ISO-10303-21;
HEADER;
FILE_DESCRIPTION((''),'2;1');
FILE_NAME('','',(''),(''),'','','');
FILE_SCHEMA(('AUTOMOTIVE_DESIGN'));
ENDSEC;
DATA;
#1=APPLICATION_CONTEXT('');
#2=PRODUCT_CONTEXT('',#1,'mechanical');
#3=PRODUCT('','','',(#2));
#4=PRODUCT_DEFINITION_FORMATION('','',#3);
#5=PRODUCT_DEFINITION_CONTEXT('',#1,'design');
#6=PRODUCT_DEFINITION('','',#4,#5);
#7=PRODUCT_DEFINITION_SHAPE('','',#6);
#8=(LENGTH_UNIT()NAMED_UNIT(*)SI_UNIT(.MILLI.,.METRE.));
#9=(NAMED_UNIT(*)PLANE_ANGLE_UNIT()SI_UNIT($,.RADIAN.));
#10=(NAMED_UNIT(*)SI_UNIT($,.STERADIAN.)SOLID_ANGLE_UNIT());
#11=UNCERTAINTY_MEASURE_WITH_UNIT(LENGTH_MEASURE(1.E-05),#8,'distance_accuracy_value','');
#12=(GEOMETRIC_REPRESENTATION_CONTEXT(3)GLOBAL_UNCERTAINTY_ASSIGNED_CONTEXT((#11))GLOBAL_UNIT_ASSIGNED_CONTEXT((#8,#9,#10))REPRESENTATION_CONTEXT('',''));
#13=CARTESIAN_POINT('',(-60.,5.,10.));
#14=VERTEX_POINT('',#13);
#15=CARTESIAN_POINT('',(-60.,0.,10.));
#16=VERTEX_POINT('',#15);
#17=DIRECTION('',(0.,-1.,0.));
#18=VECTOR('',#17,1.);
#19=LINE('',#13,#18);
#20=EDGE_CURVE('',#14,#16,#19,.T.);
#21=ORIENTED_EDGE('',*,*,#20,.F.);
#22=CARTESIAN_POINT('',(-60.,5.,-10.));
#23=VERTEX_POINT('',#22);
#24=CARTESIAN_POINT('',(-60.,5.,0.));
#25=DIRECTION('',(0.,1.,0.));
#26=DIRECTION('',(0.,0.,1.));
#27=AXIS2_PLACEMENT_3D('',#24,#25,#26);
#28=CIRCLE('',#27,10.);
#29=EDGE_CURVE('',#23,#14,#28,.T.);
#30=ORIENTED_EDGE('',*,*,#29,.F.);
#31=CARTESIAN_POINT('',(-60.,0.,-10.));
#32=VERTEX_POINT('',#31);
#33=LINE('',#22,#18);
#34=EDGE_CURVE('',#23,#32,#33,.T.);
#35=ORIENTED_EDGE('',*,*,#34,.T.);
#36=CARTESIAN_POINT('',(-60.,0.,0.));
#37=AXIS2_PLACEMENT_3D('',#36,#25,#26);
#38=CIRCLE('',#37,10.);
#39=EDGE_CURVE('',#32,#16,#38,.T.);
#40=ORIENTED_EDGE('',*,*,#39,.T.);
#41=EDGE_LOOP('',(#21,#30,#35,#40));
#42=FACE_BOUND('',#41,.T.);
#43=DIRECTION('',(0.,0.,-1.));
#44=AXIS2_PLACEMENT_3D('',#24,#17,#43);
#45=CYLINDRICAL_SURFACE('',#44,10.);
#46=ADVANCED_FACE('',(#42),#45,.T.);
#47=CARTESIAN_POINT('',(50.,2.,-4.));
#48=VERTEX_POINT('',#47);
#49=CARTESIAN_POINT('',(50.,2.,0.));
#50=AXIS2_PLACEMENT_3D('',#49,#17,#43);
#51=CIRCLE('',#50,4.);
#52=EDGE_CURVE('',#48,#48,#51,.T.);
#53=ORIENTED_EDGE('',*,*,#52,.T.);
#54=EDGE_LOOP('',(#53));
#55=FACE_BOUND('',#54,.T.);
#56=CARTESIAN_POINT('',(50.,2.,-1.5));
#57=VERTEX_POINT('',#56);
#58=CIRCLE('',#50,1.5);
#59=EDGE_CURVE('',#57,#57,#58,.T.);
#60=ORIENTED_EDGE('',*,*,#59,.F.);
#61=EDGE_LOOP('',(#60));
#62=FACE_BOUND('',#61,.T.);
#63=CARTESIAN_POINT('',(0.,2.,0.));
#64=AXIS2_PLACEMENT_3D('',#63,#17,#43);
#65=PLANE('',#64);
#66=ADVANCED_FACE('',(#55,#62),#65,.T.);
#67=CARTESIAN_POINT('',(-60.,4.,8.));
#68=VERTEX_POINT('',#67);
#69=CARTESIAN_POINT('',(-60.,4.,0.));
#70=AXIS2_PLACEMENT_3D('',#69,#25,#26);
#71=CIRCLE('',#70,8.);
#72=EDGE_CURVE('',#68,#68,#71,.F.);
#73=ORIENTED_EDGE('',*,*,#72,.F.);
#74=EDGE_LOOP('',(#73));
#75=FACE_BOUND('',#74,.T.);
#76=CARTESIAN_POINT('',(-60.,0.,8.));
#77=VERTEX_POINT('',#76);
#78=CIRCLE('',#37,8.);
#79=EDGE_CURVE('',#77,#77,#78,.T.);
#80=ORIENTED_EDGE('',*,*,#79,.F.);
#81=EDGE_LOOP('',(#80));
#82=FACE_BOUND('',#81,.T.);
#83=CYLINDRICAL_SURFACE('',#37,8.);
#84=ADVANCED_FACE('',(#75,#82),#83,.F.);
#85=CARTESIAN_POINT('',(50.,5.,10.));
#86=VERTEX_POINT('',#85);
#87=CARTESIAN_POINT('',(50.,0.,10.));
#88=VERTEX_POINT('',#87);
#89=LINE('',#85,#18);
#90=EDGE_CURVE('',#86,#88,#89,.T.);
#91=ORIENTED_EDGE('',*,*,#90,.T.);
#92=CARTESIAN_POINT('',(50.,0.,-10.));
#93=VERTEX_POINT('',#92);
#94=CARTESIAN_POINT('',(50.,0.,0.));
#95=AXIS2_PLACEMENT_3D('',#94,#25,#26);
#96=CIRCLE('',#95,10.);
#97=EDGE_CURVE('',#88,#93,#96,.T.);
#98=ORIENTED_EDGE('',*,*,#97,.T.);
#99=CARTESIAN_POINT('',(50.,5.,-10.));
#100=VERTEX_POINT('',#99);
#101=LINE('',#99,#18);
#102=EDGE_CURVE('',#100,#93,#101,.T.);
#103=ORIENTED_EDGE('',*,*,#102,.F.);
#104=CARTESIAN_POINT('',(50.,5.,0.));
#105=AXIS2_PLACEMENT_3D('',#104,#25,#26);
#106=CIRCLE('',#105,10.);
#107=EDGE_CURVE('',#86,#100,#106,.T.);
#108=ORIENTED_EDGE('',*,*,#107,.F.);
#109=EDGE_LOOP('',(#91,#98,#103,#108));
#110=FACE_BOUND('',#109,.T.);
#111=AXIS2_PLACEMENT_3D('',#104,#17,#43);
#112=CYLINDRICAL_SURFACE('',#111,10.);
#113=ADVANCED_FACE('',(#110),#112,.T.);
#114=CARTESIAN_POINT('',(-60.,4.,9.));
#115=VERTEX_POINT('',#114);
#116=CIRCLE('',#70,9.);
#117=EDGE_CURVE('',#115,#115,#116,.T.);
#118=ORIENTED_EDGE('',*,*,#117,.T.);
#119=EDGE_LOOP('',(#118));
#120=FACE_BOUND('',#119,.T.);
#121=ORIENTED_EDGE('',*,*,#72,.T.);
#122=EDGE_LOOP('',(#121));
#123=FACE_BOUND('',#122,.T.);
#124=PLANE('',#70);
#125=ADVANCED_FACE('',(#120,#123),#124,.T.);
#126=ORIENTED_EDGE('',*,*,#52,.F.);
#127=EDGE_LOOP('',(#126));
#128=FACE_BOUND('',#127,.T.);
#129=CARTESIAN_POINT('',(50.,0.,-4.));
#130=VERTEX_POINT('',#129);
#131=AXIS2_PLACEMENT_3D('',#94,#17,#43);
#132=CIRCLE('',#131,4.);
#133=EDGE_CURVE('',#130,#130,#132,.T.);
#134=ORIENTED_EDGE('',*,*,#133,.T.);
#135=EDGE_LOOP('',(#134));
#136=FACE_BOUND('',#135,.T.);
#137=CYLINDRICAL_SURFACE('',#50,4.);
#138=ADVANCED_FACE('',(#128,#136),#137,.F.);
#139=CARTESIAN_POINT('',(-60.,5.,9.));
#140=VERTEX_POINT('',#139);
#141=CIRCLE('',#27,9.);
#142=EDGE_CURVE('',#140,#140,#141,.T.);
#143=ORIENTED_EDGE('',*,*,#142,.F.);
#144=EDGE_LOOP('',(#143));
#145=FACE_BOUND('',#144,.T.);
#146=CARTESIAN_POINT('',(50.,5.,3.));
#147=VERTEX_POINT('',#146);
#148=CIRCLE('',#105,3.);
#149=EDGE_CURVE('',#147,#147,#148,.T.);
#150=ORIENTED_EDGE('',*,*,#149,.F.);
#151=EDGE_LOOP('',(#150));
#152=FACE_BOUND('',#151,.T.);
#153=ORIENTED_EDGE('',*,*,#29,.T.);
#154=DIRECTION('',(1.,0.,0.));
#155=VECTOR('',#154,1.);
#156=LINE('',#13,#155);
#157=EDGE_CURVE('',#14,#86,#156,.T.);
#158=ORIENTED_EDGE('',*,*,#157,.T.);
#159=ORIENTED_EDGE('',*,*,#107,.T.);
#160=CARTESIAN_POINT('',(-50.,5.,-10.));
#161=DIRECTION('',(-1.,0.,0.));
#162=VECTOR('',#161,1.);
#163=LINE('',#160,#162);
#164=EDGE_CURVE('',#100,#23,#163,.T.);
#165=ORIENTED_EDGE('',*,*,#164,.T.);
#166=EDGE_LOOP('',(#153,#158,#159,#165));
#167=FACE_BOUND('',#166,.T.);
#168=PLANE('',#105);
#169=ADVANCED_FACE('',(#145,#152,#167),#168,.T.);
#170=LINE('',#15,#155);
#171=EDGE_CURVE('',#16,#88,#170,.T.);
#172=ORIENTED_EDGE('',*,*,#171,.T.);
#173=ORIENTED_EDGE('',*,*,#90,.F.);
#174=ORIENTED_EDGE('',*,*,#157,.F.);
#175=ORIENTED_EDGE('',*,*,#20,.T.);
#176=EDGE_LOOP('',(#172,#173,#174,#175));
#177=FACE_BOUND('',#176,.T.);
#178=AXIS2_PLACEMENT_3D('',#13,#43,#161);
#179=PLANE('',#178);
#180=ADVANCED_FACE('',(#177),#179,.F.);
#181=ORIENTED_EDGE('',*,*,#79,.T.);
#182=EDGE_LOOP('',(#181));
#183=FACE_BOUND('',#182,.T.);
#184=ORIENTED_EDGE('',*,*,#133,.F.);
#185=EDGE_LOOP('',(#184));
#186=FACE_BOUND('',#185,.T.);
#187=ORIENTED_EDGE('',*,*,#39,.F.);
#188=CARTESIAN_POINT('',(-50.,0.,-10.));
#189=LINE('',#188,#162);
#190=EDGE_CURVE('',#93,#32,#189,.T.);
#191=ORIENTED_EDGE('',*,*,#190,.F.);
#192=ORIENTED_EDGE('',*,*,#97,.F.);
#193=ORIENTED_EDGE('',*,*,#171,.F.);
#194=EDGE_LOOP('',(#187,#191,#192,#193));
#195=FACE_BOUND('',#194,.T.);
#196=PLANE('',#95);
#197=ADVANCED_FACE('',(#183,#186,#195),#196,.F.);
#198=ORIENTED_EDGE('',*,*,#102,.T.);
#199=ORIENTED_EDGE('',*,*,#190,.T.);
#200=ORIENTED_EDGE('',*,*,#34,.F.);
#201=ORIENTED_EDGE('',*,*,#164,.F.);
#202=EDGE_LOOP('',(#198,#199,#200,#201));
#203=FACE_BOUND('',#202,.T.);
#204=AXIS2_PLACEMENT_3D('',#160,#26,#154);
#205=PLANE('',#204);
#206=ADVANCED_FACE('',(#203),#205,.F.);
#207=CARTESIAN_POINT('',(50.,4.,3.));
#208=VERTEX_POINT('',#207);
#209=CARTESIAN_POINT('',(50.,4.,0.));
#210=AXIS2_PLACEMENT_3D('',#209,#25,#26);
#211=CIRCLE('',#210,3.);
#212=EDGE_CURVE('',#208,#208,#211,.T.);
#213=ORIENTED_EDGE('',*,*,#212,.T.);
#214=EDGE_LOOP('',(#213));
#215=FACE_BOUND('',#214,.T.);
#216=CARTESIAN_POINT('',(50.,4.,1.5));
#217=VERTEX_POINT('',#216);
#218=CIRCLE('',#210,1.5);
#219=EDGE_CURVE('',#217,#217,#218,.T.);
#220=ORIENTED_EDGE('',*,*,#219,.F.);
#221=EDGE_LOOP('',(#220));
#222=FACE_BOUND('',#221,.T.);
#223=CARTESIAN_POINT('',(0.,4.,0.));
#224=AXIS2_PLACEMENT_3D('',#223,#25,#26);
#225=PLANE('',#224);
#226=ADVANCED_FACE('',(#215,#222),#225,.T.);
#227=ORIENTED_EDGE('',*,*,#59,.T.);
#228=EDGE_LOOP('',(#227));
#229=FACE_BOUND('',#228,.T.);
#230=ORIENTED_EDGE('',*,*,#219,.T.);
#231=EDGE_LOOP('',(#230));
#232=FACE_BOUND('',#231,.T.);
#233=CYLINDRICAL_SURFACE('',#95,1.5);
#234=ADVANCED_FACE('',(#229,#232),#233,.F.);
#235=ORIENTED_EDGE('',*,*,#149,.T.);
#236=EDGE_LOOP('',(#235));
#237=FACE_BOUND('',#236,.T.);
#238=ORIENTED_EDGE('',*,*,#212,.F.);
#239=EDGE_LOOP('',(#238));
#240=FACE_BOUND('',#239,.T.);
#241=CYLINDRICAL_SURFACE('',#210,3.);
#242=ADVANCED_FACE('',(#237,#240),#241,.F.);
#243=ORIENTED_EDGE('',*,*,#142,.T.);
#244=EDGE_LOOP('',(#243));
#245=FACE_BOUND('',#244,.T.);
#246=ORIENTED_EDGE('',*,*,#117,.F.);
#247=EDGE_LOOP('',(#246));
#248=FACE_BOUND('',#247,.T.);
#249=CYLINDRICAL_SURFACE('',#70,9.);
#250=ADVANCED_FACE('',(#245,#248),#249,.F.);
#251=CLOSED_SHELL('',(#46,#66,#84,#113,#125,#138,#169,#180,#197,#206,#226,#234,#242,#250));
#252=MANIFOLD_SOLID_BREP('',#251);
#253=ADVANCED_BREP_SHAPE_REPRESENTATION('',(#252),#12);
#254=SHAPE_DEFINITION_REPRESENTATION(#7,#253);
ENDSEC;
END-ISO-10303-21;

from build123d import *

# Parameters (mm, degrees)
BOSS_EXTRUDE1_DEPTH = 5
CUT_EXTRUDE1_DEPTH  = 2
CUT_EXTRUDE2_DEPTH  = 1
CUT_EXTRUDE3_DEPTH  = 71.887234394
SKETCH5_R           = 9
CUT_EXTRUDE4_DEPTH  = 1
SKETCH6_R           = 1.5
CUT_EXTRUDE5_DEPTH  = 71.823724839


with BuildPart() as part:
    # Sketch1 → Boss-Extrude1 (new body)
    with BuildSketch(Plane(origin=(0, 0, 0), x_dir=(1, 0, 0), z_dir=(0, 1, 0))):
        with BuildLine():
            Line((-50, 10), (-60, 10))
            ThreePointArc((-60, 10), (-70, 0), (-60, -10))
            Line((-60, -10), (50, -10))
            ThreePointArc((50, -10), (60, 0), (50, 10))
            Line((50, 10), (-50, 10))
        make_face()
    extrude(amount=BOSS_EXTRUDE1_DEPTH)

    # Sketch2 → Cut-Extrude1 (cut)
    with BuildSketch(Plane.XZ):
        with BuildLine():
            ThreePointArc((50, 4), (46, 0), (50, -4))
            Line((50, -4), (50, 4))
        make_face()
        with BuildLine():
            Line((50, 4), (50, -4))
            ThreePointArc((50, -4), (52.828427125, -2.828427125), (54, 0))
            ThreePointArc((54, 0), (52.828427125, 2.828427125), (50, 4))
        make_face()
    extrude(amount=-CUT_EXTRUDE1_DEPTH, mode=Mode.SUBTRACT)

    # Sketch3 → Cut-Extrude2 (cut)
    with BuildSketch(Plane(origin=(0, 5, 0), x_dir=(1, 0, 0), z_dir=(0, 1, 0))):
        with BuildLine():
            ThreePointArc((53, 0), (52.121320344, 2.121320344), (50, 3))
            Line((50, 3), (50, -3))
            ThreePointArc((50, -3), (52.121320344, -2.121320344), (53, 0))
        make_face()
        with BuildLine():
            Line((50, -3), (50, 3))
            ThreePointArc((50, 3), (47, 0), (50, -3))
        make_face()
    extrude(amount=-CUT_EXTRUDE2_DEPTH, mode=Mode.SUBTRACT)

    # Sketch4 → Cut-Extrude3 (cut, through all)
    with BuildSketch(Plane(origin=(0, 5, 0), x_dir=(1, 0, 0), z_dir=(0, 1, 0))):
        with BuildLine():
            ThreePointArc((-52, 0), (-54.343145751, 5.656854249), (-60, 8))
            Line((-60, 8), (-60, -8))
            ThreePointArc((-60, -8), (-54.343145751, -5.656854249), (-52, 0))
        make_face()
        with BuildLine():
            Line((-60, -8), (-60, 8))
            ThreePointArc((-60, 8), (-68, 0), (-60, -8))
        make_face()
    extrude(amount=-CUT_EXTRUDE3_DEPTH, mode=Mode.SUBTRACT)

    # Sketch5 → Cut-Extrude4 (cut)
    with BuildSketch(Plane(origin=(0, 5, 0), x_dir=(1, 0, 0), z_dir=(0, 1, 0))):
        with Locations(Location((-60, 0, 0), (0, 0, 270))):
            Circle(SKETCH5_R)
    extrude(amount=-CUT_EXTRUDE4_DEPTH, mode=Mode.SUBTRACT)

    # Sketch6 → Cut-Extrude5 (cut, through all)
    with BuildSketch(Plane(origin=(0, 4, 0), x_dir=(1, 0, 0), z_dir=(0, 1, 0))):
        with Locations(Location((50, 0, 0), (0, 0, 270))):
            Circle(SKETCH6_R)
    extrude(amount=-CUT_EXTRUDE5_DEPTH, mode=Mode.SUBTRACT)


solid = part.part
